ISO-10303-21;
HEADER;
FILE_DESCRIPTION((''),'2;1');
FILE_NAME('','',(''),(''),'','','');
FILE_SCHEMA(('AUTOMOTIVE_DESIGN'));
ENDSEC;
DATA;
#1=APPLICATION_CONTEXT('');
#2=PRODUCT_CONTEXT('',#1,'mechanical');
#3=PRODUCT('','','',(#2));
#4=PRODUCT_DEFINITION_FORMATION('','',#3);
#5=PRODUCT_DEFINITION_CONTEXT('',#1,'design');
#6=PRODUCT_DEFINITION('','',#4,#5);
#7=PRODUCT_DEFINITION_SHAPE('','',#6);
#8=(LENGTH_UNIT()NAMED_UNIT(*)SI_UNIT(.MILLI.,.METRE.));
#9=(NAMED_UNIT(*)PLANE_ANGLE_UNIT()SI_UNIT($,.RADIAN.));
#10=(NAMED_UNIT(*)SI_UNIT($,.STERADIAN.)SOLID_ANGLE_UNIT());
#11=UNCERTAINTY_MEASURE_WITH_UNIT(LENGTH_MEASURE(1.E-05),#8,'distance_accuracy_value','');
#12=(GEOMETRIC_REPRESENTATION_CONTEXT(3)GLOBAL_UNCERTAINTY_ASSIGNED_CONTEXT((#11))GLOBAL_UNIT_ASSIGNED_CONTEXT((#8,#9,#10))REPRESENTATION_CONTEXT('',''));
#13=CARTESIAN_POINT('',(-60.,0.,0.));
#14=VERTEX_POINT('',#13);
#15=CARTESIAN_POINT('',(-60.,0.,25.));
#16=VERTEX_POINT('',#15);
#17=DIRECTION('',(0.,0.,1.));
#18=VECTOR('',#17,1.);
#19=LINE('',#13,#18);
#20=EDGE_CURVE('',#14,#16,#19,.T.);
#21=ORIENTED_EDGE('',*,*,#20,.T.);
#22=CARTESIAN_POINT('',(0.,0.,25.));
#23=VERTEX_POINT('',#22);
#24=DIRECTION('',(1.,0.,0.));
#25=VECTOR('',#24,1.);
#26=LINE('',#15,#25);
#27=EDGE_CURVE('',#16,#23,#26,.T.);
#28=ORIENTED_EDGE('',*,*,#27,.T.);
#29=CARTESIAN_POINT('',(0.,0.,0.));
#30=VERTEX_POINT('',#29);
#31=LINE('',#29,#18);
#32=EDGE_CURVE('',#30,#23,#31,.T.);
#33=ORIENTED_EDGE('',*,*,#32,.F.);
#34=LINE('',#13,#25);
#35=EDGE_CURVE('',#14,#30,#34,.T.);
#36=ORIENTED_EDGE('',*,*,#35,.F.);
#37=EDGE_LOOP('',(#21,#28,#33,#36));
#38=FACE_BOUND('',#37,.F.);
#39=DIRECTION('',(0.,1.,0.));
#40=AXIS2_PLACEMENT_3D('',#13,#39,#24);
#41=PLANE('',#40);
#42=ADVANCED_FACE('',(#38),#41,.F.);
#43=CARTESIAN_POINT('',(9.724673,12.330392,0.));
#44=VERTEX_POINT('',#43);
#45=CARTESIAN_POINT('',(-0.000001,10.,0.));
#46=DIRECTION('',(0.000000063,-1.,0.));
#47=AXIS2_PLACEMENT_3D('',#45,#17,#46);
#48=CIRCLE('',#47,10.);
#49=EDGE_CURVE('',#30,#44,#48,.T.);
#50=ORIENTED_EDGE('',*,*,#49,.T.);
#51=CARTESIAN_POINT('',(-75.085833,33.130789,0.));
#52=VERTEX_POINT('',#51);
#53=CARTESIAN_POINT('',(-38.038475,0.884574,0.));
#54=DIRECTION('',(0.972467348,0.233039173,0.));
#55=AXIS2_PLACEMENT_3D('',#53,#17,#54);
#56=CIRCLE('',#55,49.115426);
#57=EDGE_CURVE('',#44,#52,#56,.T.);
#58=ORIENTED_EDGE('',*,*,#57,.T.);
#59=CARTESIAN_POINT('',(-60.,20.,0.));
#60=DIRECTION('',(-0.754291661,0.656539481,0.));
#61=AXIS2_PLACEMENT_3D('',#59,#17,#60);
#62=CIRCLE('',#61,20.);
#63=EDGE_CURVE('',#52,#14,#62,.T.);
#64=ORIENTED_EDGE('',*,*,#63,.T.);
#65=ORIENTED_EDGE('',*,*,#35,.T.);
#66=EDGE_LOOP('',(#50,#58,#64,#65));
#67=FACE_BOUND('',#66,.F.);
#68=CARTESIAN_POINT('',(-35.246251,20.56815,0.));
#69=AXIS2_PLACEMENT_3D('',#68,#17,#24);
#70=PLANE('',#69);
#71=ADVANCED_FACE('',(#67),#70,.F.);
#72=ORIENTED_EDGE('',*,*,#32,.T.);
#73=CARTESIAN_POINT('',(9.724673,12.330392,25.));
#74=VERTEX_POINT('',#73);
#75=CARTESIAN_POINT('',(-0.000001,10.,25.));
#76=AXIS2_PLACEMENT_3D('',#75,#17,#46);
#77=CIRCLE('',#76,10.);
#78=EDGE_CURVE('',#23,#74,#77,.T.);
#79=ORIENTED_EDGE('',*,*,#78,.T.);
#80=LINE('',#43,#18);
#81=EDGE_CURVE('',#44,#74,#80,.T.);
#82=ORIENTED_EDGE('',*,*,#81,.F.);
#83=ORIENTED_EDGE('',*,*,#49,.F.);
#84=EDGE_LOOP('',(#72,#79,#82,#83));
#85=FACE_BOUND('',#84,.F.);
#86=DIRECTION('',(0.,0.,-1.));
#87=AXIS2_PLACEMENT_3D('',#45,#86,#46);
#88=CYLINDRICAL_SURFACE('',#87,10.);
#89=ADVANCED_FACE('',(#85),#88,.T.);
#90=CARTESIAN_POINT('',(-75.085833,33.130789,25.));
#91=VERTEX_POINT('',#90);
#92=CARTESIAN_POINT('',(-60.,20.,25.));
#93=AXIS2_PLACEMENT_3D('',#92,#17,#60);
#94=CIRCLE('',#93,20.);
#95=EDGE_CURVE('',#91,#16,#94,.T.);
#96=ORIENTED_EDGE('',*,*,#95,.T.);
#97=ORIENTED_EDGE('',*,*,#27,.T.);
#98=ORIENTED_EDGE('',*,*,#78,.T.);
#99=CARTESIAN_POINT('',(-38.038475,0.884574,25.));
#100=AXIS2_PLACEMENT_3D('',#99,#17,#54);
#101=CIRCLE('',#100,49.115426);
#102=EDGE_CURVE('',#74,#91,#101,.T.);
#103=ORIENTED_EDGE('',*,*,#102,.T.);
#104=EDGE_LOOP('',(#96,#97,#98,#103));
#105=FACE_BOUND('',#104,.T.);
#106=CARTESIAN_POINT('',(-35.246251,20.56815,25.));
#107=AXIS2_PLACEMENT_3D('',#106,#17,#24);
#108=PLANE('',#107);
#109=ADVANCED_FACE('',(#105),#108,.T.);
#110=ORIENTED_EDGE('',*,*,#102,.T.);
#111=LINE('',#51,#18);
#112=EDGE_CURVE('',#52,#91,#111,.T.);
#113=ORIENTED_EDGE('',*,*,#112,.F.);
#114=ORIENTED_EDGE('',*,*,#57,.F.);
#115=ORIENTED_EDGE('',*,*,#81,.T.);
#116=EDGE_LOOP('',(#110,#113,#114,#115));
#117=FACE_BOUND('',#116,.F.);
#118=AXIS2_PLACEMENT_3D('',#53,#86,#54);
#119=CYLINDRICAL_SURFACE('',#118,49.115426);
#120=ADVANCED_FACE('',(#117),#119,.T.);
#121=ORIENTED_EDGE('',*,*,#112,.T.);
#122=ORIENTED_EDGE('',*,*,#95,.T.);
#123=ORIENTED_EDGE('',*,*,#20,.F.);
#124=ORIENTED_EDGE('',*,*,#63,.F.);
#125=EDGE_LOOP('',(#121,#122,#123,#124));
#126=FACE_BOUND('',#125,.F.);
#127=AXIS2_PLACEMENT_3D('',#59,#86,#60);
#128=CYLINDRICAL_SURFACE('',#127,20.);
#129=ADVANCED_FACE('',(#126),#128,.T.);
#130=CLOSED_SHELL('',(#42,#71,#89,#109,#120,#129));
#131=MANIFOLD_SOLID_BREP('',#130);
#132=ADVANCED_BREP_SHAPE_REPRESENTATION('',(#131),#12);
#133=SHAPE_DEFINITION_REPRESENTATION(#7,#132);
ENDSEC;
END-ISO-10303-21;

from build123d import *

# Parameters (mm, degrees)
F1_DEPTH = 25


with BuildPart() as f1:
    # F0 (on Top) → F1 (new body)
    with BuildSketch(Plane.XY):
        with BuildLine():
            Line((-60, 0), (0, 0))
            ThreePointArc((0, 0), (7.851876, 3.807421), (9.724673, 12.330392))
            ThreePointArc((9.724673, 12.330392), (-26.33928, 48.586292), (-75.085833, 33.130789))
            ThreePointArc((-75.085833, 33.130789), (-78.201865, 11.71193), (-60, 0))
        make_face()
    extrude(amount=F1_DEPTH)


solid = f1.part
